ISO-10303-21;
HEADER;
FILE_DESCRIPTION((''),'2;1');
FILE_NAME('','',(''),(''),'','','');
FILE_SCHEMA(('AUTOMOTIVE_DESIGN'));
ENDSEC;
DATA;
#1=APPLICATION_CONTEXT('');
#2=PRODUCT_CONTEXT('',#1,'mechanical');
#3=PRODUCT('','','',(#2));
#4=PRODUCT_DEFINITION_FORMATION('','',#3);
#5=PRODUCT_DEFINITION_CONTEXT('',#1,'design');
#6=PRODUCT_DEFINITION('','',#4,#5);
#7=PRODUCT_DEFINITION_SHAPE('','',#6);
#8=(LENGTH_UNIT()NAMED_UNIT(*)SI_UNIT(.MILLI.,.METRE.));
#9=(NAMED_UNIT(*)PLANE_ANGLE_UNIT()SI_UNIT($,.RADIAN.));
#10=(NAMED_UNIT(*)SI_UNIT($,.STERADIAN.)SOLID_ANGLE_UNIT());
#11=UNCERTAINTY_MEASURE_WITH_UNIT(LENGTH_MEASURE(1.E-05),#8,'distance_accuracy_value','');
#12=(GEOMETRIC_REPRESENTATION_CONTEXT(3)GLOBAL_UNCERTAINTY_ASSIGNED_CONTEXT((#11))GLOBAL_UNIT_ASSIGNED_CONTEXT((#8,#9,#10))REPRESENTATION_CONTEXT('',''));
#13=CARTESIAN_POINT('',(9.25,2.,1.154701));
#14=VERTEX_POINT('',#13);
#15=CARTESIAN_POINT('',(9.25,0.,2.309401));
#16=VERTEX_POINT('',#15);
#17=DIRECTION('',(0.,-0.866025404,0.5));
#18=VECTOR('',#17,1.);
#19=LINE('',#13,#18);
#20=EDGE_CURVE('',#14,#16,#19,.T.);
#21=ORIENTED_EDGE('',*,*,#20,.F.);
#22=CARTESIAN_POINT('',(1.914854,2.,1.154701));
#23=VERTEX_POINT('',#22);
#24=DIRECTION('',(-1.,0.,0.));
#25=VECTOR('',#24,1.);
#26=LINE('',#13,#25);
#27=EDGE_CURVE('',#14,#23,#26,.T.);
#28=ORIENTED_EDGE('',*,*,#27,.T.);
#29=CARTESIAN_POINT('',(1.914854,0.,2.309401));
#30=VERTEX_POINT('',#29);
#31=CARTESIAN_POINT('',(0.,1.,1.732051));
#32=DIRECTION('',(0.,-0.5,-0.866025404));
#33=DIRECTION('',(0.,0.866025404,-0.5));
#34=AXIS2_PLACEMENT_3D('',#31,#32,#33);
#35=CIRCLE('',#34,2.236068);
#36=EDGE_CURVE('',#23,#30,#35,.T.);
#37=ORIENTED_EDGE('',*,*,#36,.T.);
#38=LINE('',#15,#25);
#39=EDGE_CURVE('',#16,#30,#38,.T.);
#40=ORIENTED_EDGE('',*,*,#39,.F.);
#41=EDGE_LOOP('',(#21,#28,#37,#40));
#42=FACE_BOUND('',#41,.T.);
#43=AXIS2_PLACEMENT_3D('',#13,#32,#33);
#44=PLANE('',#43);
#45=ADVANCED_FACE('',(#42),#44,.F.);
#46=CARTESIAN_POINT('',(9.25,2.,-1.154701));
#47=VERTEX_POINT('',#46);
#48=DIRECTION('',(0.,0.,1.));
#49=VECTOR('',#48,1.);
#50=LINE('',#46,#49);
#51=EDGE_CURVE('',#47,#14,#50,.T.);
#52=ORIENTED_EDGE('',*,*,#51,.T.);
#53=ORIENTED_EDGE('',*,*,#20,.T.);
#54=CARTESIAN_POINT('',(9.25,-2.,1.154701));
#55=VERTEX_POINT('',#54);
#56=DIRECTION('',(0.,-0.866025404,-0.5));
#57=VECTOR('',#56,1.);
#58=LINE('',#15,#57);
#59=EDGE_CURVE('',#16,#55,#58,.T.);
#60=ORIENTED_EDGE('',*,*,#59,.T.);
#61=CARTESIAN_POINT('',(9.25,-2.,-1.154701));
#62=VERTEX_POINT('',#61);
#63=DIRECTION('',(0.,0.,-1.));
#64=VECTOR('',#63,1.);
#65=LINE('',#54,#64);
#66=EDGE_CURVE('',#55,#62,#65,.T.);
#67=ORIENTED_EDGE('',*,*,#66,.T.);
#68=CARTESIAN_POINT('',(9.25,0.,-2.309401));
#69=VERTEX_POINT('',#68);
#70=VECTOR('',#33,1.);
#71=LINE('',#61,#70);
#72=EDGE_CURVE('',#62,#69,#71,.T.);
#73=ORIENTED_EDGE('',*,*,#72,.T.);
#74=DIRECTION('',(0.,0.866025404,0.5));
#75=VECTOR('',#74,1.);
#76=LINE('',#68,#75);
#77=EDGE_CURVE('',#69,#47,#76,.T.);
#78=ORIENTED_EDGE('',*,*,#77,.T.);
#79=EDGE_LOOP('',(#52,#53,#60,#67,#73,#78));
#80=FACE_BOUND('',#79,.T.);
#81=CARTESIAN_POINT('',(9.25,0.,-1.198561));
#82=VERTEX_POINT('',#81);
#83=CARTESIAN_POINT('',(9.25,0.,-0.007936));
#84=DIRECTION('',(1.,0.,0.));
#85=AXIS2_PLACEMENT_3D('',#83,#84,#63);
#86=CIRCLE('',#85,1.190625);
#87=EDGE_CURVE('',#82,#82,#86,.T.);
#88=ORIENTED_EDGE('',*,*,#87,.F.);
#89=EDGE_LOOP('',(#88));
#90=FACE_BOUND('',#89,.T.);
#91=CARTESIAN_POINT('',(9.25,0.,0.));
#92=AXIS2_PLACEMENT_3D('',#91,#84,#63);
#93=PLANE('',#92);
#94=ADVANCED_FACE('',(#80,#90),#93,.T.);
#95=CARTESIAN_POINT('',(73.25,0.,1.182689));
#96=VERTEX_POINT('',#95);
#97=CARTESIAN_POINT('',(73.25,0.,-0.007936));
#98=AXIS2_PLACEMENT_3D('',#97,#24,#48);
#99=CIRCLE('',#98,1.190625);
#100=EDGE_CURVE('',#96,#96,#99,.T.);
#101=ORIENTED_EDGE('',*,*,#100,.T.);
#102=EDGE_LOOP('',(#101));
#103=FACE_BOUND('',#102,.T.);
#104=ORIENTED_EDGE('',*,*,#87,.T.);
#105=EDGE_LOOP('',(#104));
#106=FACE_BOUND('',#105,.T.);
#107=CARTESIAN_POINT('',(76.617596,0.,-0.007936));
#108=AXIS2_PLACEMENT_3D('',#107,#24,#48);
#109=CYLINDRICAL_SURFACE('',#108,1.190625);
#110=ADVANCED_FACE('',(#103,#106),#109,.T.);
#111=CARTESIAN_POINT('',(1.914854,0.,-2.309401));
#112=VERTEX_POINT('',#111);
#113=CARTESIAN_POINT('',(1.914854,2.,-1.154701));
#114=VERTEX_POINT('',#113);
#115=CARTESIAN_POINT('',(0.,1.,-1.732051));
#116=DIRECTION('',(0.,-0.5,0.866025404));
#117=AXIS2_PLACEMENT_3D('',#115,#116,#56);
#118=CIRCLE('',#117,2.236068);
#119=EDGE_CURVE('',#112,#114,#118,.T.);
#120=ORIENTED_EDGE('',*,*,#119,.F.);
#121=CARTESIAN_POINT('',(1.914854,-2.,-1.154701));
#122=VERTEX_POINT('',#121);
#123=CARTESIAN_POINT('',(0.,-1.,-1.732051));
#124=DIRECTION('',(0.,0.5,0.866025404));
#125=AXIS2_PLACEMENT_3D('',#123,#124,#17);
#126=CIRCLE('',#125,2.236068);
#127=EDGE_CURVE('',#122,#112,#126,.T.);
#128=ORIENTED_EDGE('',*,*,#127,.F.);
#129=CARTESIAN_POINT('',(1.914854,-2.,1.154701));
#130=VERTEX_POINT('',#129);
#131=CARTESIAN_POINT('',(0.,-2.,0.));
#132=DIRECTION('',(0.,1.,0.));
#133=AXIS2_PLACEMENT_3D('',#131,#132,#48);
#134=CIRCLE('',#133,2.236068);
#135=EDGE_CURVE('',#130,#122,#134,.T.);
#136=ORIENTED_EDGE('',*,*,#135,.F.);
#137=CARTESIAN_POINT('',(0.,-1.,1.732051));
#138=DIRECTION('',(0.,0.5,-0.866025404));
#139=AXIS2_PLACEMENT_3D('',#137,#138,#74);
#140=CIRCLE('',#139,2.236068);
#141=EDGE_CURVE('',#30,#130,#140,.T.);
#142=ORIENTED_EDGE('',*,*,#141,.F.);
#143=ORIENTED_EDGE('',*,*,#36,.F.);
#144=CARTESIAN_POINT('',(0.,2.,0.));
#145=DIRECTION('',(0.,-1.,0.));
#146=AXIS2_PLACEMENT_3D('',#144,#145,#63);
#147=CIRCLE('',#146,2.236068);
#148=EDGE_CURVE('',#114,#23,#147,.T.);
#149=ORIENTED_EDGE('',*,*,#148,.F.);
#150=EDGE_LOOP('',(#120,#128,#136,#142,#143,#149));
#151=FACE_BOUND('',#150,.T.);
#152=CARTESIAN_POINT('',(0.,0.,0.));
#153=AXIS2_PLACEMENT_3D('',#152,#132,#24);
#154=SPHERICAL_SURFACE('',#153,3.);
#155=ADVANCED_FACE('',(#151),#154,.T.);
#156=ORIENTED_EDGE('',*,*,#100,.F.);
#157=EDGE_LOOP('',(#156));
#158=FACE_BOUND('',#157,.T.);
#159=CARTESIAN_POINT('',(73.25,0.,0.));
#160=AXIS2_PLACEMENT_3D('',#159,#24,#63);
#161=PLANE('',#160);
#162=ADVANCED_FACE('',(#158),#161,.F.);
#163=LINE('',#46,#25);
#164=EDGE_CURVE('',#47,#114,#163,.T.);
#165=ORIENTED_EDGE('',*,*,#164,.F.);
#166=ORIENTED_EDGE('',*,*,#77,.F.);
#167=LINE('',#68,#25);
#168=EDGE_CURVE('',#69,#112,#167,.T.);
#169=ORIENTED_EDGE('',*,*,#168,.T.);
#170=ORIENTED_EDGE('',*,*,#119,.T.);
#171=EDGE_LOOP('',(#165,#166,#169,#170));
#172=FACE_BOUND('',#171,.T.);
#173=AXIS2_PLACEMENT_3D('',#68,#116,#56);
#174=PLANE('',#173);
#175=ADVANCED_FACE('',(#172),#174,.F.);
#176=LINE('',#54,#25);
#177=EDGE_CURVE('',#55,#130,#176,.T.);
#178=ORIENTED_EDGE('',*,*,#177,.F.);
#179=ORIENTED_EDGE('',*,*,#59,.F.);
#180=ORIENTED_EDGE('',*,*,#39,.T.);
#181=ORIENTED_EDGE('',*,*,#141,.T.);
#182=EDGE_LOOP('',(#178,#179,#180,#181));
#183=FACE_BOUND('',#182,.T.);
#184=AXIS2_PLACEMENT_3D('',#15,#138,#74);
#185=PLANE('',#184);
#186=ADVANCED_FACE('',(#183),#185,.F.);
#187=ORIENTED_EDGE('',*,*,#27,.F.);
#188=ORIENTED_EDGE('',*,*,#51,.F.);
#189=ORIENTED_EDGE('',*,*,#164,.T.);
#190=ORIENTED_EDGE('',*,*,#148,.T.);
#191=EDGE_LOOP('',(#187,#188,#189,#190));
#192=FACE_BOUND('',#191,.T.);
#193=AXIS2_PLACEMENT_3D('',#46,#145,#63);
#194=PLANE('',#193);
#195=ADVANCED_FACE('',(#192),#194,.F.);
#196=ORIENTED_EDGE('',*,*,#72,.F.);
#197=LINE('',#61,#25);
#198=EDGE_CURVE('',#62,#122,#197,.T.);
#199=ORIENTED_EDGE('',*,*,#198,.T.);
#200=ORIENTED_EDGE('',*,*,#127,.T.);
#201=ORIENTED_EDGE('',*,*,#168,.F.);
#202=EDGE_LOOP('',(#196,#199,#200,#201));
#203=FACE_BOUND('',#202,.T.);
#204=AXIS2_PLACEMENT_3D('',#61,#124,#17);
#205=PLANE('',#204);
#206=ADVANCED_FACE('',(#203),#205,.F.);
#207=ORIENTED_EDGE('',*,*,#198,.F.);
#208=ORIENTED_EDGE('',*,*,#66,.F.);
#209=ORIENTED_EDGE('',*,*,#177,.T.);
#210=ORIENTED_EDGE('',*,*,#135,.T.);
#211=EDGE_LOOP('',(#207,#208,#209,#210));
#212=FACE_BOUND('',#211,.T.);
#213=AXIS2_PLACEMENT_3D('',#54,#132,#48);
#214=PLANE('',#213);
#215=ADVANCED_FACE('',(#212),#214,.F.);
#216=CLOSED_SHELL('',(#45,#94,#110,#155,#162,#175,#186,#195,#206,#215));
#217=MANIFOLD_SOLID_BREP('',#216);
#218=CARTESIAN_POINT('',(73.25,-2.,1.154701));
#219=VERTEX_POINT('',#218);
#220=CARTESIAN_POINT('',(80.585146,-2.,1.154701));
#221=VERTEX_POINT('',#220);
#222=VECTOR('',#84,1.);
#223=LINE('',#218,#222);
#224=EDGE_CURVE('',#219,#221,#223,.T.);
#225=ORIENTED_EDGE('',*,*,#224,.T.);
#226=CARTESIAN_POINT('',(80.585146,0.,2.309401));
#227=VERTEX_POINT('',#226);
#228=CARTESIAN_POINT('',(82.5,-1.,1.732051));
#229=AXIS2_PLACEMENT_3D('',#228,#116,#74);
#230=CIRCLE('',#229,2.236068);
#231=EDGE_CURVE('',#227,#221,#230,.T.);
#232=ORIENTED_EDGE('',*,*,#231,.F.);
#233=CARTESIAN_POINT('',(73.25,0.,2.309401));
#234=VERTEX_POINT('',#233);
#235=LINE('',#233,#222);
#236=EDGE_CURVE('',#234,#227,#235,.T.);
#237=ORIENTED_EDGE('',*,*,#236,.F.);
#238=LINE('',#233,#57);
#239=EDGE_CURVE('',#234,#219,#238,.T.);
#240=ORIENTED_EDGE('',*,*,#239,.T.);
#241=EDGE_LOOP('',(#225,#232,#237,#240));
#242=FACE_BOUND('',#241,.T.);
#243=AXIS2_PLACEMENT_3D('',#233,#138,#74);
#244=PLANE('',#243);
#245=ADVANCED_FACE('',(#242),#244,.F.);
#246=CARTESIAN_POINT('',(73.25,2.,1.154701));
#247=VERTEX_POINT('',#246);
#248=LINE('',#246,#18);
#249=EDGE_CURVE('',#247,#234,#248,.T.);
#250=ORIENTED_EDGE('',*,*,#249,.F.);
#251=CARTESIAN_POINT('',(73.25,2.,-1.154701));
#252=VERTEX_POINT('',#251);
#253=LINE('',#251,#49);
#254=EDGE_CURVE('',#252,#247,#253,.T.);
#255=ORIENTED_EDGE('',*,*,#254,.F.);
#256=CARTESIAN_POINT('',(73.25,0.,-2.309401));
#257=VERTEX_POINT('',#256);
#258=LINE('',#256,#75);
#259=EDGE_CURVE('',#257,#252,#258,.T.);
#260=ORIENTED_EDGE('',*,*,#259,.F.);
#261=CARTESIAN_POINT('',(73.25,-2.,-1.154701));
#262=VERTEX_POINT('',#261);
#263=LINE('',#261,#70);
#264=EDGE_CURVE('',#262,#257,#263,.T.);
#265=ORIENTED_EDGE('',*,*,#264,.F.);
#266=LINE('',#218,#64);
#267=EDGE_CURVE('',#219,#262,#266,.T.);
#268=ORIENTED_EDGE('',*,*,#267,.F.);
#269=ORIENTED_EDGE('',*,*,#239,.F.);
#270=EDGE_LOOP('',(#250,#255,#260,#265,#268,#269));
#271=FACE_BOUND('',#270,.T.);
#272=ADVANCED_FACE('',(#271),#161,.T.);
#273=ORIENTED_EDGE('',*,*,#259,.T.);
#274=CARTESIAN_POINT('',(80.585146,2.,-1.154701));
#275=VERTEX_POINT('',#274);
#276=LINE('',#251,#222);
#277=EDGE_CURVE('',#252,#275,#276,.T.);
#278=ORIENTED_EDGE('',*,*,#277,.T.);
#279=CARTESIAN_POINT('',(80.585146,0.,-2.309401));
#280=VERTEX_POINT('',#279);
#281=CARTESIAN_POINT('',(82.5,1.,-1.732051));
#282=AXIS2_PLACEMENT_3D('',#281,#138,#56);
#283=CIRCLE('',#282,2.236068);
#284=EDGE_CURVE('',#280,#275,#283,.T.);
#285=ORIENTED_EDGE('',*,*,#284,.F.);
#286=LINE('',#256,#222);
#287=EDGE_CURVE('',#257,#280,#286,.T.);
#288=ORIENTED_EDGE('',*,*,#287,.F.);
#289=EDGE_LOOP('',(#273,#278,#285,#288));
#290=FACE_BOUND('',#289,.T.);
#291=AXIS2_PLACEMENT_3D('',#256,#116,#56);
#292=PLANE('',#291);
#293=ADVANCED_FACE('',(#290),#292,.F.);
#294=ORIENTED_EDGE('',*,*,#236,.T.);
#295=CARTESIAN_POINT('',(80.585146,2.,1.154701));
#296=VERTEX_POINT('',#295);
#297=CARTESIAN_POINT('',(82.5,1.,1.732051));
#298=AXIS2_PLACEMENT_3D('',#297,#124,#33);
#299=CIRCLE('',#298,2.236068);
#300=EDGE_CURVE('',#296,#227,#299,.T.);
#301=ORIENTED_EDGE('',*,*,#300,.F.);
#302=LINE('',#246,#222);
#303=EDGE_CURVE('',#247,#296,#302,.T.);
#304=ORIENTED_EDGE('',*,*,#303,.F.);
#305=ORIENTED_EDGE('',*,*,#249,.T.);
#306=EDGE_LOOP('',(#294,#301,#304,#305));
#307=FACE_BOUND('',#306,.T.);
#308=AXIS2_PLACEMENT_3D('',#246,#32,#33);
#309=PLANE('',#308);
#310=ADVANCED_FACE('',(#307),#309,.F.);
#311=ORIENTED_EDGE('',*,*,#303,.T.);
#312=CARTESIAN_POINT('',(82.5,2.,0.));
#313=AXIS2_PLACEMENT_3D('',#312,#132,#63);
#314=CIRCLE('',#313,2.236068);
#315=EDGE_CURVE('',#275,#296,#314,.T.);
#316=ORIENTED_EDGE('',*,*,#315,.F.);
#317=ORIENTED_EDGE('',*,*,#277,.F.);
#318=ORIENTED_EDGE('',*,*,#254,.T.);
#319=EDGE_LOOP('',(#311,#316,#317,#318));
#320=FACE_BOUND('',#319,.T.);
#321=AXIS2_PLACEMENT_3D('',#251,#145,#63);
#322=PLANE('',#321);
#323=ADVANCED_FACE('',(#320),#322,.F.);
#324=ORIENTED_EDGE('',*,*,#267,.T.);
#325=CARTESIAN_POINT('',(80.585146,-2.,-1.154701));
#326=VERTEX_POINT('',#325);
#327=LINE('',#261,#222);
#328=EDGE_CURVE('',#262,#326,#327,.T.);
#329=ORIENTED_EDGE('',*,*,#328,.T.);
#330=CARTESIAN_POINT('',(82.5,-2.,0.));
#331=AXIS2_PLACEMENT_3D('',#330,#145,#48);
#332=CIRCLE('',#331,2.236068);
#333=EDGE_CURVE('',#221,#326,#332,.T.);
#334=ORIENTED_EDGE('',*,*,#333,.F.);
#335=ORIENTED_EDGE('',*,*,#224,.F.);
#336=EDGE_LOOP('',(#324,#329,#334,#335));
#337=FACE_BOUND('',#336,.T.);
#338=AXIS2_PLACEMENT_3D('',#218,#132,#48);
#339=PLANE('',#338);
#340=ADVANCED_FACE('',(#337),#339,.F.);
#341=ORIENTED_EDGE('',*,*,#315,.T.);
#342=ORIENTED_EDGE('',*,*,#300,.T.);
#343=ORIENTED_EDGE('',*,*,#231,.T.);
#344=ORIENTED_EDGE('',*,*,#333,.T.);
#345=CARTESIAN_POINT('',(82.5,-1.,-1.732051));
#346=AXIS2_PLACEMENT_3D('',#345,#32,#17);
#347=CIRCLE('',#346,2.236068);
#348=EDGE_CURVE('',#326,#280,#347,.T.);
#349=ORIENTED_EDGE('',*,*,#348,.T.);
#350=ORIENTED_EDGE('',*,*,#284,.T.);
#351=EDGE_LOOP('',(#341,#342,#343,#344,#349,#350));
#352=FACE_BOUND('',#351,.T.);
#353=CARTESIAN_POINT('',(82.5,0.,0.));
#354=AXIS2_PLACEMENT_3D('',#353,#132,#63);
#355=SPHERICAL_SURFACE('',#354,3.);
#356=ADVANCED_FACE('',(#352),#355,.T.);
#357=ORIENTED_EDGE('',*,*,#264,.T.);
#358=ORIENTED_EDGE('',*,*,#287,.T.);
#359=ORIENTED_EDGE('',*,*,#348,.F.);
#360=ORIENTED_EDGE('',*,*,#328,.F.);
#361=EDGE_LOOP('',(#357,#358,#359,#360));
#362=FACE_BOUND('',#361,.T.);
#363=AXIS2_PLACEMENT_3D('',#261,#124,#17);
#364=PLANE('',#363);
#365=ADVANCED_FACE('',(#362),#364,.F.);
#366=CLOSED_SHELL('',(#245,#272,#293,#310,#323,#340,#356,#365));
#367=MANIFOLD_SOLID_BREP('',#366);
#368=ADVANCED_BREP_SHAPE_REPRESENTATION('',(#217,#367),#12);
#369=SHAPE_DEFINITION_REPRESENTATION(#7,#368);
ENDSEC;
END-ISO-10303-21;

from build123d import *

# Parameters (mm, degrees)
BOSS_EXTRUDE2_DEPTH = 9.25
SKETCH5_R           = 1.190625
BOSS_EXTRUDE3_DEPTH = 64


with BuildPart() as part:
    # Sketch2 → Revolve1 (revolve)
    with BuildSketch(Plane.XY):
        with BuildLine():
            Line((0, 3), (0, -3))
            ThreePointArc((0, -3), (3, 0), (0, 3))
        make_face()
    revolve(axis=Axis((0, 3, 0), (0, -1, 0)))

    # Sketch3 → Boss-Extrude2 (add)
    with BuildSketch(Plane(origin=(0, 0, 0), x_dir=(0, 0, -1), z_dir=(1, 0, 0))):
        Polygon((1.154700538, -2), (2.309401077, 0), (1.154700538, 2), (-1.154700538, 2), (-2.309401077, 0), (-1.154700538, -2), align=None)
    boss_extrude2 = extrude(amount=BOSS_EXTRUDE2_DEPTH)

    # Sketch5 → Boss-Extrude3 (add)
    with BuildSketch(Plane(origin=(9.25, 0, 0), x_dir=(0, 0, -1), z_dir=(1, 0, 0))):
        with Locations(Location((0.007936131, 0, 0), (0, 0, 180))):
            Circle(SKETCH5_R)
    extrude(amount=BOSS_EXTRUDE3_DEPTH)


with BuildPart() as body_2:
    # Sketch7 → Revolve2 (revolve)
    with BuildSketch(Plane(origin=(82.5, 0, 0), x_dir=(0, 0, -1), z_dir=(1, 0, 0))):
        with BuildLine():
            ThreePointArc((0, 3), (3, 0), (0, -3))
            Line((0, -3), (0, 3))
        make_face()
    revolve(axis=Axis((82.5, 3, 0), (0, -1, 0)))

    # Mirror3: Boss-Extrude2 across plane
    add(boss_extrude2.mirror(Plane(origin=(41.25, 0, 0), x_dir=(0, 0, 1), z_dir=(1, 0, 0))))


solid = Compound([part.part, body_2.part])
